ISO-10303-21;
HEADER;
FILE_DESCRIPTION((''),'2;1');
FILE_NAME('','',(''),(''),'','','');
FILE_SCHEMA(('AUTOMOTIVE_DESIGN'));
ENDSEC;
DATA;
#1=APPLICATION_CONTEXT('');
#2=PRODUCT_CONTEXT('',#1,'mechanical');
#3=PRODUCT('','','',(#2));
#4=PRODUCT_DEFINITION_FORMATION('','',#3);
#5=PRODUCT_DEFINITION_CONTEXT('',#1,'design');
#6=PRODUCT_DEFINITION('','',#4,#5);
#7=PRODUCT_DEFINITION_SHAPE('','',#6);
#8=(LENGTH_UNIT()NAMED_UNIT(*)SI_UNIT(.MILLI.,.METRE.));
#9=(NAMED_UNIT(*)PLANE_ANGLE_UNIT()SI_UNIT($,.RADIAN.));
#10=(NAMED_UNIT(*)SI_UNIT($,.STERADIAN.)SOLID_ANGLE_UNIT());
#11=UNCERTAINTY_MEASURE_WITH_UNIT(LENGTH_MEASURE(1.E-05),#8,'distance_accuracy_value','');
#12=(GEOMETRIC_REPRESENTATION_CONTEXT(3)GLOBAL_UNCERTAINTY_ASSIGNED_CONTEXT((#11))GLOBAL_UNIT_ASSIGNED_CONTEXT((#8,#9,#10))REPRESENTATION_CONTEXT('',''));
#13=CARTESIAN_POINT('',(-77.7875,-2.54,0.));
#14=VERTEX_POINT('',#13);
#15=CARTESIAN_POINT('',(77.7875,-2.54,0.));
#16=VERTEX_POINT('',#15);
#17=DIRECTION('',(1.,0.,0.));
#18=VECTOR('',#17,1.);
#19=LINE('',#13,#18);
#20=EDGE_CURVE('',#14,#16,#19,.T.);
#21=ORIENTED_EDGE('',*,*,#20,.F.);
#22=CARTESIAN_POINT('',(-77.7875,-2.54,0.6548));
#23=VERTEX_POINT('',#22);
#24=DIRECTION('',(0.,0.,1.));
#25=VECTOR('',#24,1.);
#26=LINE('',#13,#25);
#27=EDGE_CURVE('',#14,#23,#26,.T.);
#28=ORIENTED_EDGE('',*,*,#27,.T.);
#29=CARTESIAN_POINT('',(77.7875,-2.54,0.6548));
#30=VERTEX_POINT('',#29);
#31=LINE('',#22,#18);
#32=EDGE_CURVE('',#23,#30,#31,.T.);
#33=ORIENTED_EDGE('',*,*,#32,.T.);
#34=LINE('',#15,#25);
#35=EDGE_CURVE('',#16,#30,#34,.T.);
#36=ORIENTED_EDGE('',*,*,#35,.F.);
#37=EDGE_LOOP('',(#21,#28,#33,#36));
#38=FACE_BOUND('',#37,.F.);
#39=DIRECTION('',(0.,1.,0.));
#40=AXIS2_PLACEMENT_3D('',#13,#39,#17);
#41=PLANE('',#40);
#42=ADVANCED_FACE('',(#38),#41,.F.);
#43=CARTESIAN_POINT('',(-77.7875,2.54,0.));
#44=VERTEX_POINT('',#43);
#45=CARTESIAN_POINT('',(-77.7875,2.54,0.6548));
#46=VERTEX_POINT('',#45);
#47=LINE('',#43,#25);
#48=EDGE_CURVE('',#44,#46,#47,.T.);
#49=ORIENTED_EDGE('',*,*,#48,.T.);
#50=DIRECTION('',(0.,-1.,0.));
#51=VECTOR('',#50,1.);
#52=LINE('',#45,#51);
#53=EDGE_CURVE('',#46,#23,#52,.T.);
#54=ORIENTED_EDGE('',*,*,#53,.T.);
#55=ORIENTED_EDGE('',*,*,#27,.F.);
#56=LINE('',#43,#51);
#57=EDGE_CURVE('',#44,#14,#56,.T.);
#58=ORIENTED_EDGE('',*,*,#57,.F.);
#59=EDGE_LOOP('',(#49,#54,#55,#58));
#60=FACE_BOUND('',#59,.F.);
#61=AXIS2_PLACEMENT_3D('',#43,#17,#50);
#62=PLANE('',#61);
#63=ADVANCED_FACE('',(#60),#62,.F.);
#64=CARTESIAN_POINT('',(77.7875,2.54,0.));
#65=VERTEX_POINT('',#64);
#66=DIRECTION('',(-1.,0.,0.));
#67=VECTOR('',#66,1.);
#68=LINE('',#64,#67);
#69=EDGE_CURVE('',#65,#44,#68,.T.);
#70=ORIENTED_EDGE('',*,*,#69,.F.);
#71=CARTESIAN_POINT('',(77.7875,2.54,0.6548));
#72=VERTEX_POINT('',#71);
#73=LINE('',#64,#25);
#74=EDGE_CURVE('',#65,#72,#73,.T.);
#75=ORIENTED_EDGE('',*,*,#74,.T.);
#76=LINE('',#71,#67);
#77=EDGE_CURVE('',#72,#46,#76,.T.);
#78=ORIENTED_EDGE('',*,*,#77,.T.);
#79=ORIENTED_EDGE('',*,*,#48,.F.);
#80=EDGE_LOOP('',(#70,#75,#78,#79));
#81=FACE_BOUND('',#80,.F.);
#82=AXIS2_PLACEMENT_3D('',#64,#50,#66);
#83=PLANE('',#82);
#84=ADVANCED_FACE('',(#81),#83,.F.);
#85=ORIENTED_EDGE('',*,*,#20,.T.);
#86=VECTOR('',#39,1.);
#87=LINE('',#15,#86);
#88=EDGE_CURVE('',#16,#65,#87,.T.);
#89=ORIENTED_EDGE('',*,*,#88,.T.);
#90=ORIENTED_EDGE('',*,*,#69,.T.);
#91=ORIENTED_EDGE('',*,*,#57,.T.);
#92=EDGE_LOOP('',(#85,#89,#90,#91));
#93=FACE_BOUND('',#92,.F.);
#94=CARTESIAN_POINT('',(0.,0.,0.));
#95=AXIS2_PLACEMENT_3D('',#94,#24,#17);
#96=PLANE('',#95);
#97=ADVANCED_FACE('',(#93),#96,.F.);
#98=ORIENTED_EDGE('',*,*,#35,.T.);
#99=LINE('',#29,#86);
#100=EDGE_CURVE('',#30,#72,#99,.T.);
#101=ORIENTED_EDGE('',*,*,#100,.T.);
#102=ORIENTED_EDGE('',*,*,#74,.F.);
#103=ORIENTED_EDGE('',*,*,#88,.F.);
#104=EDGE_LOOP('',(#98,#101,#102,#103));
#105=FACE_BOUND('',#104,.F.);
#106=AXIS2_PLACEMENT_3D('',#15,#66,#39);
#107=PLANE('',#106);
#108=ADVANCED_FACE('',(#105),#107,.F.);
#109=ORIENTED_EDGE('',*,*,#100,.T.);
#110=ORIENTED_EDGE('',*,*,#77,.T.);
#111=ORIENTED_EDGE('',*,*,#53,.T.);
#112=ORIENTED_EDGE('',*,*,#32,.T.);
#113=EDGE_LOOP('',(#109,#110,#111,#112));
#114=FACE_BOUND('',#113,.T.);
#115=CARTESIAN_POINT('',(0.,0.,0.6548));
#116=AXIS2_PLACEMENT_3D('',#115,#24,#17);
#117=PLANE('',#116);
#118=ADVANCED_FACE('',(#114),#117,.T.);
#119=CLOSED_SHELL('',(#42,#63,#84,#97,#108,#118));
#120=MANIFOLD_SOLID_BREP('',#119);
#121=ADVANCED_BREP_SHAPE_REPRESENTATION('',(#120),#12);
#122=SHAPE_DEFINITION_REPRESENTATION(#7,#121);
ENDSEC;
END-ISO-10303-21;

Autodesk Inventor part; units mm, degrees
ref_plane "YZ Plane" through (0, 0, 0) normal (1, 0, 0) x (0, 1, 0)
ref_plane "XZ Plane" through (0, 0, 0) normal (0, 1, 0) x (-1, 0, 0)
ref_plane "XY Plane" through (0, 0, 0) normal (0, 0, 1) x (1, 0, 0)
sketch "Sketch1" plane through (0, 0, 0) normal (0, 0, 1) x (1, 0, 0)
  line L0 (-77.7875, -2.54) -> (77.7875, -2.54)
  line L1 (77.7875, -2.54) -> (77.7875, 2.54)
  line L2 (77.7875, 2.54) -> (-77.7875, 2.54)
  line L3 (-77.7875, 2.54) -> (-77.7875, -2.54)
  line L4 (-77.7875, -2.54) -> (77.7875, 2.54) construction
  line L5 (77.7875, -2.54) -> (-77.7875, 2.54) construction
  point P0 (0, 0)
  dimension "d0" = 5.08
  dimension "d1" = 155.575
extrude "Extrusion1" add sketch "Sketch1" along normal blind 0.6548
equation "\"d0\" = springSteelWidth"
equation "\"d2\" = springSteelThickness"
equation "\"springSteelWidth\" = 5.08"
equation "\"springSteelThickness\" = 0.6548"
properties part number "Conductive Rail"
